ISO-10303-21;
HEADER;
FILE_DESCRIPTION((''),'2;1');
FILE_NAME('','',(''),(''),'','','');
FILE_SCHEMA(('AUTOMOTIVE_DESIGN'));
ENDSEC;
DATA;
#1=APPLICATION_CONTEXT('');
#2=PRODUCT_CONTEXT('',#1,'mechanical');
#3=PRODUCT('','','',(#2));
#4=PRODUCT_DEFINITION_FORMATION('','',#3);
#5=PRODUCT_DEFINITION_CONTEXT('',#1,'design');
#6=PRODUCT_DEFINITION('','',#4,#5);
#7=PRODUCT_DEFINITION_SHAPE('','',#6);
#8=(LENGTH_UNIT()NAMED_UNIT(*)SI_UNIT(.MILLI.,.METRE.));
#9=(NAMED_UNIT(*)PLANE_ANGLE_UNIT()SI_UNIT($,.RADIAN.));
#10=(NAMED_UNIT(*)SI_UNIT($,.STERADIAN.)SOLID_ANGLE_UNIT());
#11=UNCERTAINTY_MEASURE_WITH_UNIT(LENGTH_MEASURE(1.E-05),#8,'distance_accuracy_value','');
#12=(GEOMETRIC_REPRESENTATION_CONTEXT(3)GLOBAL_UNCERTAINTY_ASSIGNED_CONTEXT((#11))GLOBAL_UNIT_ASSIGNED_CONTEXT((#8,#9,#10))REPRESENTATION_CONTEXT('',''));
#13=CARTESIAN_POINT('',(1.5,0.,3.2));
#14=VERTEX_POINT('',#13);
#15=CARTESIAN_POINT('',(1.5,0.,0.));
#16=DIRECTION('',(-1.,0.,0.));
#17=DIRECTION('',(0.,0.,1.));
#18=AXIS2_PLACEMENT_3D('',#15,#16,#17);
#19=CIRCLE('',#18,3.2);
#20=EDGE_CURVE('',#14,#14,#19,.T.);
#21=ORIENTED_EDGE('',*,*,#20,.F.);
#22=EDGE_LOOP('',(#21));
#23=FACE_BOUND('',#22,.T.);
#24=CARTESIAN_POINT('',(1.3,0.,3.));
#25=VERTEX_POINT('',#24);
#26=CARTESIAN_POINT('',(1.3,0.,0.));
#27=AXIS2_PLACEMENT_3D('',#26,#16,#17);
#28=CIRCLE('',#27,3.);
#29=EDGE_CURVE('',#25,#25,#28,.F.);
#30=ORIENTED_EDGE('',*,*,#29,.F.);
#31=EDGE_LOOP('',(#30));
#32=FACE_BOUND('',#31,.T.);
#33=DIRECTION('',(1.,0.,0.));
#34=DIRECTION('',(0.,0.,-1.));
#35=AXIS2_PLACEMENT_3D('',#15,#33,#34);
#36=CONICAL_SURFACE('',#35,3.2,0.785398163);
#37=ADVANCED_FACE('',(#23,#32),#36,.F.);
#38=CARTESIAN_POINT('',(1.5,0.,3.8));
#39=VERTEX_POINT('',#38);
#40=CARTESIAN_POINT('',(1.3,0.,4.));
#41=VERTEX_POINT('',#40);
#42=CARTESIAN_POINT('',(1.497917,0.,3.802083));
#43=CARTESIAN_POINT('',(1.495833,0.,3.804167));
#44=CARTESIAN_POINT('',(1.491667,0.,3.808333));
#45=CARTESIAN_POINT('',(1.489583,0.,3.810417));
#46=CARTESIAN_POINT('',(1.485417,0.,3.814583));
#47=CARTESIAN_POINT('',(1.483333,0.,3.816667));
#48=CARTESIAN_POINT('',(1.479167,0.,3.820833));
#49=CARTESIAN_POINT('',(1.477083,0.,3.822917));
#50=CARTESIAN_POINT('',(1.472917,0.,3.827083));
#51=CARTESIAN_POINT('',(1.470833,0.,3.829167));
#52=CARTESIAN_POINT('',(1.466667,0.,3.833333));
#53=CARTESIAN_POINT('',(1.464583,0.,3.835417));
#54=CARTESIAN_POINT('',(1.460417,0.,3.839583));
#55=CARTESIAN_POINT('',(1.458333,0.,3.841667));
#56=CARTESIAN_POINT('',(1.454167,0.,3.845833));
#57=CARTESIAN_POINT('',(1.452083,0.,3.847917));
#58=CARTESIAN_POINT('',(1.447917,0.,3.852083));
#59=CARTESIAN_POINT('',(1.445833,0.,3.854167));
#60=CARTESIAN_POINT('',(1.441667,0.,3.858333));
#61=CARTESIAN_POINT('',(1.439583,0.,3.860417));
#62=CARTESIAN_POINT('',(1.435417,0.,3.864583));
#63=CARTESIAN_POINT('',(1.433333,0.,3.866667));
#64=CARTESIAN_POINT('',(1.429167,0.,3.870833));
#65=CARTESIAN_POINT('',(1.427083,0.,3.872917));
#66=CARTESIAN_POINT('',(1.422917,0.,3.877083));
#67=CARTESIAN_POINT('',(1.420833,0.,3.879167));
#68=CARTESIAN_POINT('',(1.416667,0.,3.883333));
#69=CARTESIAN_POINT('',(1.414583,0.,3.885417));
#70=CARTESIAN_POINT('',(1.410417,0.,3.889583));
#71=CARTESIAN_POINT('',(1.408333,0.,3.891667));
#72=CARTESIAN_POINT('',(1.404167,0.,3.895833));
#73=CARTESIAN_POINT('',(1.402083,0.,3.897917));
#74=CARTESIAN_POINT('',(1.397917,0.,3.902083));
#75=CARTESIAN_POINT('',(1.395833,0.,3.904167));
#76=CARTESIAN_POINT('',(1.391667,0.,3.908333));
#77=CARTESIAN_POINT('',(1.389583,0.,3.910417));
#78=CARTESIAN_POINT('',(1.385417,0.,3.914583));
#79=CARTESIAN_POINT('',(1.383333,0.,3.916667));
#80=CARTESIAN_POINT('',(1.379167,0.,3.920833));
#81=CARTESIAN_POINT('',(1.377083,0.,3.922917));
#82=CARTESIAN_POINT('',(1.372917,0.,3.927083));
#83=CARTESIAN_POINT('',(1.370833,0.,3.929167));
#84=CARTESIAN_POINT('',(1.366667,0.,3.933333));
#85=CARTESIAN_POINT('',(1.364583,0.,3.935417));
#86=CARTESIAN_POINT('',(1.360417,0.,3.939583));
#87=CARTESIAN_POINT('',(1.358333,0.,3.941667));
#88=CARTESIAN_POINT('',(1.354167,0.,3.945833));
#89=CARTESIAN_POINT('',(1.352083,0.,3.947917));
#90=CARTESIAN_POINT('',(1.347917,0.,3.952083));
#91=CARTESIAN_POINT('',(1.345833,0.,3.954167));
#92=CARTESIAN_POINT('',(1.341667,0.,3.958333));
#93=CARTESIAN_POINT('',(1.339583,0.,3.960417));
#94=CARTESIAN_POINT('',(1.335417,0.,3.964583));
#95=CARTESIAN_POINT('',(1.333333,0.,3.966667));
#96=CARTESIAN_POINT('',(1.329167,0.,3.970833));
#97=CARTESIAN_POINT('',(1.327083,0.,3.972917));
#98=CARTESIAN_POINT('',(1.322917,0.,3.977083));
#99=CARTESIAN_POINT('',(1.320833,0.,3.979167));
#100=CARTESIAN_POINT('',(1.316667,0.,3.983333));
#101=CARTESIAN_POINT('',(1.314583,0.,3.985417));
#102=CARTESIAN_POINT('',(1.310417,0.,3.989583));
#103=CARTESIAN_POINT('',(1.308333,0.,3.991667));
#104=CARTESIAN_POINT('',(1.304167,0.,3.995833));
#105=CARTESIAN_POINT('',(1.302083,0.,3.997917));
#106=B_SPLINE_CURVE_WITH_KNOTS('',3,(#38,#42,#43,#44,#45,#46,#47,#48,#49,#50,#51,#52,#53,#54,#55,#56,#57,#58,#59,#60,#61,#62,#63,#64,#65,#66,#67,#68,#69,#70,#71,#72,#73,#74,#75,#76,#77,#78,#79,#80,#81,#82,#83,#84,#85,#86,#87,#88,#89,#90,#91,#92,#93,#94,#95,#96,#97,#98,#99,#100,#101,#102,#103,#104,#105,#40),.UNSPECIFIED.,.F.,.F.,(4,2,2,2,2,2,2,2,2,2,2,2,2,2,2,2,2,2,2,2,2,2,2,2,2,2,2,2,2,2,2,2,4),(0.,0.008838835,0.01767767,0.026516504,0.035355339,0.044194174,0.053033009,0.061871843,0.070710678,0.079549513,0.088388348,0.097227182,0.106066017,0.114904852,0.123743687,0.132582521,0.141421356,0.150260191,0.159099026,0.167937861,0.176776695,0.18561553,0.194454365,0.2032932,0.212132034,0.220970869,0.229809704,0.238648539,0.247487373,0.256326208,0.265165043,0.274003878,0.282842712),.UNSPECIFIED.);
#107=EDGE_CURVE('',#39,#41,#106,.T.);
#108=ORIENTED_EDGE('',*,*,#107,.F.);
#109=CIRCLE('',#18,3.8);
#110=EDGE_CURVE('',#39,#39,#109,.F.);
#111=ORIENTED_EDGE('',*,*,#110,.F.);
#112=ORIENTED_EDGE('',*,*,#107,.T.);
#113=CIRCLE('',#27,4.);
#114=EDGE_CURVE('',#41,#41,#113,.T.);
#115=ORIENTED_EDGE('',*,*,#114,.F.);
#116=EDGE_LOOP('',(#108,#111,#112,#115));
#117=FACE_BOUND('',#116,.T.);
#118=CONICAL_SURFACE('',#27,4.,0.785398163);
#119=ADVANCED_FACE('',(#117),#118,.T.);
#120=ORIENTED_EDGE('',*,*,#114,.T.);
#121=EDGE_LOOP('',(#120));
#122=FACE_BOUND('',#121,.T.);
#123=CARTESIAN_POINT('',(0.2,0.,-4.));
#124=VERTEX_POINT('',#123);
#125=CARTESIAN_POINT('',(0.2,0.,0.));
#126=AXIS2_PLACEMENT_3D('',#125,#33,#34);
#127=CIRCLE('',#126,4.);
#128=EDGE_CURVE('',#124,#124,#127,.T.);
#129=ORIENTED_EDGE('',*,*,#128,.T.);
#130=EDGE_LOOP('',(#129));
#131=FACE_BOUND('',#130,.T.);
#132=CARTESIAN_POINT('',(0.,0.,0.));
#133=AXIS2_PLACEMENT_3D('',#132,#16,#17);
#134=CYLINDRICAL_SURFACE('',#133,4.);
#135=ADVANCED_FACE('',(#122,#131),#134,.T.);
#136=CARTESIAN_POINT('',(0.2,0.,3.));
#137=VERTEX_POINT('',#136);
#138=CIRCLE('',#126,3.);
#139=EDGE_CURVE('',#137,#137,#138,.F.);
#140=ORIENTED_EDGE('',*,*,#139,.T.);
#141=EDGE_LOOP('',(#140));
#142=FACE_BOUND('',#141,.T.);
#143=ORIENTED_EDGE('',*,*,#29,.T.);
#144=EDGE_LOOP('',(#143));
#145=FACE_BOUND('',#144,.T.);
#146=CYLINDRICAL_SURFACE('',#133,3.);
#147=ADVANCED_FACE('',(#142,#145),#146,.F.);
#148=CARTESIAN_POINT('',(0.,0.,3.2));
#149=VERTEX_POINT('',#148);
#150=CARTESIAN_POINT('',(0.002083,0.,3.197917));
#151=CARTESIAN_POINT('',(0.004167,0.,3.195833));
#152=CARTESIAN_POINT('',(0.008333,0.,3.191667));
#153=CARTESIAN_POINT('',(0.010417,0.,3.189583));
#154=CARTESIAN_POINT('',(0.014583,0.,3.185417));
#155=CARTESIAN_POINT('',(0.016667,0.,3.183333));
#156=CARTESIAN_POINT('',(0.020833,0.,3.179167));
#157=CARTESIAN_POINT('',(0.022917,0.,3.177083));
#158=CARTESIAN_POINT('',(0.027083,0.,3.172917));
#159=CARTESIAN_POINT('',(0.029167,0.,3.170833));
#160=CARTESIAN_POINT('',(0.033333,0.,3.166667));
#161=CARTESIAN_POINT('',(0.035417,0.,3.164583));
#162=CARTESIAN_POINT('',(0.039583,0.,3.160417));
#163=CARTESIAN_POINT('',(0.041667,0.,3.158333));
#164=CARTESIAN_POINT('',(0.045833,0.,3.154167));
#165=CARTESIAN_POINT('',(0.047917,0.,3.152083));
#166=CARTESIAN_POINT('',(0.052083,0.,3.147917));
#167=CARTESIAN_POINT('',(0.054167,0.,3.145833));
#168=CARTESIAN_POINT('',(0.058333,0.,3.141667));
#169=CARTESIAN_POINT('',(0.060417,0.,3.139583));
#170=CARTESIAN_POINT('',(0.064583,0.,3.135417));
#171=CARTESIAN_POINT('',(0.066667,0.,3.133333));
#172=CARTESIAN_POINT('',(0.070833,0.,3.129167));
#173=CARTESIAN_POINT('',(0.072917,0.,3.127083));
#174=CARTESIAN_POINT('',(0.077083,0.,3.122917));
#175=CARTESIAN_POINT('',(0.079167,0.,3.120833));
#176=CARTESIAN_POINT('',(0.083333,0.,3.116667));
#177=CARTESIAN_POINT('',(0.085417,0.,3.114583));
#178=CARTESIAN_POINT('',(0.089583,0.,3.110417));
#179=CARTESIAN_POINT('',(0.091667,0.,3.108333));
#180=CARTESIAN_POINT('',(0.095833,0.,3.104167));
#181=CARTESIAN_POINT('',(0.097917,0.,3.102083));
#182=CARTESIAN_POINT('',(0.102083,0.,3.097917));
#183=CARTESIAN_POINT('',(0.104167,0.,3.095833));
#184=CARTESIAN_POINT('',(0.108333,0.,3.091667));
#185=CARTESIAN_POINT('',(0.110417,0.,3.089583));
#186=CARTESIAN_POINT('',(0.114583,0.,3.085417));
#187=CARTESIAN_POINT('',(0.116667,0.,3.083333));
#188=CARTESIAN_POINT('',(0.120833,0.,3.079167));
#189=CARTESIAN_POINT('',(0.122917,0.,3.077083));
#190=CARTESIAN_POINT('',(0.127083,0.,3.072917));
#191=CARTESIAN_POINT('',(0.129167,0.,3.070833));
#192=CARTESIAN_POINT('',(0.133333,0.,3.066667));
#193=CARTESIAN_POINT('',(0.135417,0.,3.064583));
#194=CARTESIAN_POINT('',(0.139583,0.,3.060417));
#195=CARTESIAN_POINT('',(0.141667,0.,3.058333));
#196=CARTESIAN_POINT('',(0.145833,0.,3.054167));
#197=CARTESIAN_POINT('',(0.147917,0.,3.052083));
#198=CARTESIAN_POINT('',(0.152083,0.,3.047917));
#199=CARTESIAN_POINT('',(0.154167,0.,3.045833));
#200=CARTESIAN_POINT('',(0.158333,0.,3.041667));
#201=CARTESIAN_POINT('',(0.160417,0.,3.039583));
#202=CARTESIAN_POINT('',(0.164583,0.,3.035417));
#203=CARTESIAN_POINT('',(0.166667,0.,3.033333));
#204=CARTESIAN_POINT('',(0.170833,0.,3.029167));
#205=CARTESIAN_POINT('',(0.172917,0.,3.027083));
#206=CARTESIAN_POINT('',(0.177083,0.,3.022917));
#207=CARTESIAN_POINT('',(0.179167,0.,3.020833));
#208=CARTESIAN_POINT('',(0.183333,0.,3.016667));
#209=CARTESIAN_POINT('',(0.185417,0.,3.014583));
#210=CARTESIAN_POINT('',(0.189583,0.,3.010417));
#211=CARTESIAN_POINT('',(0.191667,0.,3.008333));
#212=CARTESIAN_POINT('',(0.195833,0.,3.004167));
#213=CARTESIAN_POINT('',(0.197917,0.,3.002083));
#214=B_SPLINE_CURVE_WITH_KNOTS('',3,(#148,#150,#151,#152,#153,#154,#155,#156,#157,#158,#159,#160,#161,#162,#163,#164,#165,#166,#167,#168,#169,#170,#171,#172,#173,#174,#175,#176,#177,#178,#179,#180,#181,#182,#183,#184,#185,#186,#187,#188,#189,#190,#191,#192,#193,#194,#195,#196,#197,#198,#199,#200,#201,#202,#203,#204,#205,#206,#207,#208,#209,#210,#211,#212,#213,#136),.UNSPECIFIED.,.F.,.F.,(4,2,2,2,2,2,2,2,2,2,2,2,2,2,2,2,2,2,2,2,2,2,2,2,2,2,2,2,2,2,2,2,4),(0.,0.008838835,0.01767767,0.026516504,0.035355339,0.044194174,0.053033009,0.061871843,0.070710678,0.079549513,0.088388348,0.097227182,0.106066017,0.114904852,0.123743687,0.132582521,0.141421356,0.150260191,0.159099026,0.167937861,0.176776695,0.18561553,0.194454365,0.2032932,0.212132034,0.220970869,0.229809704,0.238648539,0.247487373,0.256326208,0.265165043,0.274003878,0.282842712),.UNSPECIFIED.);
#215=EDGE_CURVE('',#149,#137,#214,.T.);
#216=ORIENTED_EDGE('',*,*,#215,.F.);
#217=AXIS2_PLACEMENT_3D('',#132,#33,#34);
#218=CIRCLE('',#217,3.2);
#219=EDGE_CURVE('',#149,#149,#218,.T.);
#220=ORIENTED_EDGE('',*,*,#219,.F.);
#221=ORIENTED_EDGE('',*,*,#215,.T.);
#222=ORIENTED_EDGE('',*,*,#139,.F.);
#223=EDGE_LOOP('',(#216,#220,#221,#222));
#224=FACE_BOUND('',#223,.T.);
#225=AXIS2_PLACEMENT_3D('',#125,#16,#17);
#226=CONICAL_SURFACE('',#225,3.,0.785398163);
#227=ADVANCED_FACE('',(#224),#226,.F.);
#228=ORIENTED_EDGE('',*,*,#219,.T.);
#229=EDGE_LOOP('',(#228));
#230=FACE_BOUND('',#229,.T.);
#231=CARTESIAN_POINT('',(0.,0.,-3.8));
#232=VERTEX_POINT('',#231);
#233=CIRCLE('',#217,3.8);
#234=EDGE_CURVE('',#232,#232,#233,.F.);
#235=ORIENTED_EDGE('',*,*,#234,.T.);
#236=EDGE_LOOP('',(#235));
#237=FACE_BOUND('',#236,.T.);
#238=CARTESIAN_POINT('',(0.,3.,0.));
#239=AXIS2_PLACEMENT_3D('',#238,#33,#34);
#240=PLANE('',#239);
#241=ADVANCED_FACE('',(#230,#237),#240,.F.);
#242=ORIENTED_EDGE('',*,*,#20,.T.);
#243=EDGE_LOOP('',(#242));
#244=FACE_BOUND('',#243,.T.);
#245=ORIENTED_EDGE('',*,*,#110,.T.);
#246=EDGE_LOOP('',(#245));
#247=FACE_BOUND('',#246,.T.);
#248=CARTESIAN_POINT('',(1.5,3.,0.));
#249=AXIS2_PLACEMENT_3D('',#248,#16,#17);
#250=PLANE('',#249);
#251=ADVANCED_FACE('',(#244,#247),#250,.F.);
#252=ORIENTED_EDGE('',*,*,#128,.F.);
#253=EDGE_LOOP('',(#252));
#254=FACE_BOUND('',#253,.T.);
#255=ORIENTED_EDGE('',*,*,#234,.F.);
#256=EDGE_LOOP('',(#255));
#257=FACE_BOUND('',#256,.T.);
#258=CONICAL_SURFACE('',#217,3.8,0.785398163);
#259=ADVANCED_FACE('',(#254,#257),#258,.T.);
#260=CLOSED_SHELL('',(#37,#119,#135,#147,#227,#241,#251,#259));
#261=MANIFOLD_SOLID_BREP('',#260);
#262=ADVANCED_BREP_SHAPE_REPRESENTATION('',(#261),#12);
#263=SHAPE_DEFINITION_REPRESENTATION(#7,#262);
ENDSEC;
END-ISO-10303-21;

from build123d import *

# Parameters (mm, degrees)
SKETCH1_W     = 1.5
SKETCH1_H     = 1
CHAMFER1_SIZE = 0.2


with BuildPart() as part:
    # Sketch1 → Revolve1 (revolve)
    with BuildSketch(Plane.XY, mode=Mode.PRIVATE) as revolve1_sk:
        with Locations((0.75, 3.5)):
            Rectangle(SKETCH1_W, SKETCH1_H)
    revolve(revolve1_sk.sketch.rotate(Axis((0, 0, 0), (1, 0, 0)), 90), axis=Axis((0, 0, 0), (1, 0, 0)))

    # Chamfer1
    chamfer1_edges = [part.edges().sort_by_distance(p)[0] for p in [
        (0, 0, -3),
        (1.5, 0, -3),
        (1.5, 0, -4),
        (0, 0, -4),
    ]]
    chamfer(chamfer1_edges, length=CHAMFER1_SIZE)


solid = part.part
